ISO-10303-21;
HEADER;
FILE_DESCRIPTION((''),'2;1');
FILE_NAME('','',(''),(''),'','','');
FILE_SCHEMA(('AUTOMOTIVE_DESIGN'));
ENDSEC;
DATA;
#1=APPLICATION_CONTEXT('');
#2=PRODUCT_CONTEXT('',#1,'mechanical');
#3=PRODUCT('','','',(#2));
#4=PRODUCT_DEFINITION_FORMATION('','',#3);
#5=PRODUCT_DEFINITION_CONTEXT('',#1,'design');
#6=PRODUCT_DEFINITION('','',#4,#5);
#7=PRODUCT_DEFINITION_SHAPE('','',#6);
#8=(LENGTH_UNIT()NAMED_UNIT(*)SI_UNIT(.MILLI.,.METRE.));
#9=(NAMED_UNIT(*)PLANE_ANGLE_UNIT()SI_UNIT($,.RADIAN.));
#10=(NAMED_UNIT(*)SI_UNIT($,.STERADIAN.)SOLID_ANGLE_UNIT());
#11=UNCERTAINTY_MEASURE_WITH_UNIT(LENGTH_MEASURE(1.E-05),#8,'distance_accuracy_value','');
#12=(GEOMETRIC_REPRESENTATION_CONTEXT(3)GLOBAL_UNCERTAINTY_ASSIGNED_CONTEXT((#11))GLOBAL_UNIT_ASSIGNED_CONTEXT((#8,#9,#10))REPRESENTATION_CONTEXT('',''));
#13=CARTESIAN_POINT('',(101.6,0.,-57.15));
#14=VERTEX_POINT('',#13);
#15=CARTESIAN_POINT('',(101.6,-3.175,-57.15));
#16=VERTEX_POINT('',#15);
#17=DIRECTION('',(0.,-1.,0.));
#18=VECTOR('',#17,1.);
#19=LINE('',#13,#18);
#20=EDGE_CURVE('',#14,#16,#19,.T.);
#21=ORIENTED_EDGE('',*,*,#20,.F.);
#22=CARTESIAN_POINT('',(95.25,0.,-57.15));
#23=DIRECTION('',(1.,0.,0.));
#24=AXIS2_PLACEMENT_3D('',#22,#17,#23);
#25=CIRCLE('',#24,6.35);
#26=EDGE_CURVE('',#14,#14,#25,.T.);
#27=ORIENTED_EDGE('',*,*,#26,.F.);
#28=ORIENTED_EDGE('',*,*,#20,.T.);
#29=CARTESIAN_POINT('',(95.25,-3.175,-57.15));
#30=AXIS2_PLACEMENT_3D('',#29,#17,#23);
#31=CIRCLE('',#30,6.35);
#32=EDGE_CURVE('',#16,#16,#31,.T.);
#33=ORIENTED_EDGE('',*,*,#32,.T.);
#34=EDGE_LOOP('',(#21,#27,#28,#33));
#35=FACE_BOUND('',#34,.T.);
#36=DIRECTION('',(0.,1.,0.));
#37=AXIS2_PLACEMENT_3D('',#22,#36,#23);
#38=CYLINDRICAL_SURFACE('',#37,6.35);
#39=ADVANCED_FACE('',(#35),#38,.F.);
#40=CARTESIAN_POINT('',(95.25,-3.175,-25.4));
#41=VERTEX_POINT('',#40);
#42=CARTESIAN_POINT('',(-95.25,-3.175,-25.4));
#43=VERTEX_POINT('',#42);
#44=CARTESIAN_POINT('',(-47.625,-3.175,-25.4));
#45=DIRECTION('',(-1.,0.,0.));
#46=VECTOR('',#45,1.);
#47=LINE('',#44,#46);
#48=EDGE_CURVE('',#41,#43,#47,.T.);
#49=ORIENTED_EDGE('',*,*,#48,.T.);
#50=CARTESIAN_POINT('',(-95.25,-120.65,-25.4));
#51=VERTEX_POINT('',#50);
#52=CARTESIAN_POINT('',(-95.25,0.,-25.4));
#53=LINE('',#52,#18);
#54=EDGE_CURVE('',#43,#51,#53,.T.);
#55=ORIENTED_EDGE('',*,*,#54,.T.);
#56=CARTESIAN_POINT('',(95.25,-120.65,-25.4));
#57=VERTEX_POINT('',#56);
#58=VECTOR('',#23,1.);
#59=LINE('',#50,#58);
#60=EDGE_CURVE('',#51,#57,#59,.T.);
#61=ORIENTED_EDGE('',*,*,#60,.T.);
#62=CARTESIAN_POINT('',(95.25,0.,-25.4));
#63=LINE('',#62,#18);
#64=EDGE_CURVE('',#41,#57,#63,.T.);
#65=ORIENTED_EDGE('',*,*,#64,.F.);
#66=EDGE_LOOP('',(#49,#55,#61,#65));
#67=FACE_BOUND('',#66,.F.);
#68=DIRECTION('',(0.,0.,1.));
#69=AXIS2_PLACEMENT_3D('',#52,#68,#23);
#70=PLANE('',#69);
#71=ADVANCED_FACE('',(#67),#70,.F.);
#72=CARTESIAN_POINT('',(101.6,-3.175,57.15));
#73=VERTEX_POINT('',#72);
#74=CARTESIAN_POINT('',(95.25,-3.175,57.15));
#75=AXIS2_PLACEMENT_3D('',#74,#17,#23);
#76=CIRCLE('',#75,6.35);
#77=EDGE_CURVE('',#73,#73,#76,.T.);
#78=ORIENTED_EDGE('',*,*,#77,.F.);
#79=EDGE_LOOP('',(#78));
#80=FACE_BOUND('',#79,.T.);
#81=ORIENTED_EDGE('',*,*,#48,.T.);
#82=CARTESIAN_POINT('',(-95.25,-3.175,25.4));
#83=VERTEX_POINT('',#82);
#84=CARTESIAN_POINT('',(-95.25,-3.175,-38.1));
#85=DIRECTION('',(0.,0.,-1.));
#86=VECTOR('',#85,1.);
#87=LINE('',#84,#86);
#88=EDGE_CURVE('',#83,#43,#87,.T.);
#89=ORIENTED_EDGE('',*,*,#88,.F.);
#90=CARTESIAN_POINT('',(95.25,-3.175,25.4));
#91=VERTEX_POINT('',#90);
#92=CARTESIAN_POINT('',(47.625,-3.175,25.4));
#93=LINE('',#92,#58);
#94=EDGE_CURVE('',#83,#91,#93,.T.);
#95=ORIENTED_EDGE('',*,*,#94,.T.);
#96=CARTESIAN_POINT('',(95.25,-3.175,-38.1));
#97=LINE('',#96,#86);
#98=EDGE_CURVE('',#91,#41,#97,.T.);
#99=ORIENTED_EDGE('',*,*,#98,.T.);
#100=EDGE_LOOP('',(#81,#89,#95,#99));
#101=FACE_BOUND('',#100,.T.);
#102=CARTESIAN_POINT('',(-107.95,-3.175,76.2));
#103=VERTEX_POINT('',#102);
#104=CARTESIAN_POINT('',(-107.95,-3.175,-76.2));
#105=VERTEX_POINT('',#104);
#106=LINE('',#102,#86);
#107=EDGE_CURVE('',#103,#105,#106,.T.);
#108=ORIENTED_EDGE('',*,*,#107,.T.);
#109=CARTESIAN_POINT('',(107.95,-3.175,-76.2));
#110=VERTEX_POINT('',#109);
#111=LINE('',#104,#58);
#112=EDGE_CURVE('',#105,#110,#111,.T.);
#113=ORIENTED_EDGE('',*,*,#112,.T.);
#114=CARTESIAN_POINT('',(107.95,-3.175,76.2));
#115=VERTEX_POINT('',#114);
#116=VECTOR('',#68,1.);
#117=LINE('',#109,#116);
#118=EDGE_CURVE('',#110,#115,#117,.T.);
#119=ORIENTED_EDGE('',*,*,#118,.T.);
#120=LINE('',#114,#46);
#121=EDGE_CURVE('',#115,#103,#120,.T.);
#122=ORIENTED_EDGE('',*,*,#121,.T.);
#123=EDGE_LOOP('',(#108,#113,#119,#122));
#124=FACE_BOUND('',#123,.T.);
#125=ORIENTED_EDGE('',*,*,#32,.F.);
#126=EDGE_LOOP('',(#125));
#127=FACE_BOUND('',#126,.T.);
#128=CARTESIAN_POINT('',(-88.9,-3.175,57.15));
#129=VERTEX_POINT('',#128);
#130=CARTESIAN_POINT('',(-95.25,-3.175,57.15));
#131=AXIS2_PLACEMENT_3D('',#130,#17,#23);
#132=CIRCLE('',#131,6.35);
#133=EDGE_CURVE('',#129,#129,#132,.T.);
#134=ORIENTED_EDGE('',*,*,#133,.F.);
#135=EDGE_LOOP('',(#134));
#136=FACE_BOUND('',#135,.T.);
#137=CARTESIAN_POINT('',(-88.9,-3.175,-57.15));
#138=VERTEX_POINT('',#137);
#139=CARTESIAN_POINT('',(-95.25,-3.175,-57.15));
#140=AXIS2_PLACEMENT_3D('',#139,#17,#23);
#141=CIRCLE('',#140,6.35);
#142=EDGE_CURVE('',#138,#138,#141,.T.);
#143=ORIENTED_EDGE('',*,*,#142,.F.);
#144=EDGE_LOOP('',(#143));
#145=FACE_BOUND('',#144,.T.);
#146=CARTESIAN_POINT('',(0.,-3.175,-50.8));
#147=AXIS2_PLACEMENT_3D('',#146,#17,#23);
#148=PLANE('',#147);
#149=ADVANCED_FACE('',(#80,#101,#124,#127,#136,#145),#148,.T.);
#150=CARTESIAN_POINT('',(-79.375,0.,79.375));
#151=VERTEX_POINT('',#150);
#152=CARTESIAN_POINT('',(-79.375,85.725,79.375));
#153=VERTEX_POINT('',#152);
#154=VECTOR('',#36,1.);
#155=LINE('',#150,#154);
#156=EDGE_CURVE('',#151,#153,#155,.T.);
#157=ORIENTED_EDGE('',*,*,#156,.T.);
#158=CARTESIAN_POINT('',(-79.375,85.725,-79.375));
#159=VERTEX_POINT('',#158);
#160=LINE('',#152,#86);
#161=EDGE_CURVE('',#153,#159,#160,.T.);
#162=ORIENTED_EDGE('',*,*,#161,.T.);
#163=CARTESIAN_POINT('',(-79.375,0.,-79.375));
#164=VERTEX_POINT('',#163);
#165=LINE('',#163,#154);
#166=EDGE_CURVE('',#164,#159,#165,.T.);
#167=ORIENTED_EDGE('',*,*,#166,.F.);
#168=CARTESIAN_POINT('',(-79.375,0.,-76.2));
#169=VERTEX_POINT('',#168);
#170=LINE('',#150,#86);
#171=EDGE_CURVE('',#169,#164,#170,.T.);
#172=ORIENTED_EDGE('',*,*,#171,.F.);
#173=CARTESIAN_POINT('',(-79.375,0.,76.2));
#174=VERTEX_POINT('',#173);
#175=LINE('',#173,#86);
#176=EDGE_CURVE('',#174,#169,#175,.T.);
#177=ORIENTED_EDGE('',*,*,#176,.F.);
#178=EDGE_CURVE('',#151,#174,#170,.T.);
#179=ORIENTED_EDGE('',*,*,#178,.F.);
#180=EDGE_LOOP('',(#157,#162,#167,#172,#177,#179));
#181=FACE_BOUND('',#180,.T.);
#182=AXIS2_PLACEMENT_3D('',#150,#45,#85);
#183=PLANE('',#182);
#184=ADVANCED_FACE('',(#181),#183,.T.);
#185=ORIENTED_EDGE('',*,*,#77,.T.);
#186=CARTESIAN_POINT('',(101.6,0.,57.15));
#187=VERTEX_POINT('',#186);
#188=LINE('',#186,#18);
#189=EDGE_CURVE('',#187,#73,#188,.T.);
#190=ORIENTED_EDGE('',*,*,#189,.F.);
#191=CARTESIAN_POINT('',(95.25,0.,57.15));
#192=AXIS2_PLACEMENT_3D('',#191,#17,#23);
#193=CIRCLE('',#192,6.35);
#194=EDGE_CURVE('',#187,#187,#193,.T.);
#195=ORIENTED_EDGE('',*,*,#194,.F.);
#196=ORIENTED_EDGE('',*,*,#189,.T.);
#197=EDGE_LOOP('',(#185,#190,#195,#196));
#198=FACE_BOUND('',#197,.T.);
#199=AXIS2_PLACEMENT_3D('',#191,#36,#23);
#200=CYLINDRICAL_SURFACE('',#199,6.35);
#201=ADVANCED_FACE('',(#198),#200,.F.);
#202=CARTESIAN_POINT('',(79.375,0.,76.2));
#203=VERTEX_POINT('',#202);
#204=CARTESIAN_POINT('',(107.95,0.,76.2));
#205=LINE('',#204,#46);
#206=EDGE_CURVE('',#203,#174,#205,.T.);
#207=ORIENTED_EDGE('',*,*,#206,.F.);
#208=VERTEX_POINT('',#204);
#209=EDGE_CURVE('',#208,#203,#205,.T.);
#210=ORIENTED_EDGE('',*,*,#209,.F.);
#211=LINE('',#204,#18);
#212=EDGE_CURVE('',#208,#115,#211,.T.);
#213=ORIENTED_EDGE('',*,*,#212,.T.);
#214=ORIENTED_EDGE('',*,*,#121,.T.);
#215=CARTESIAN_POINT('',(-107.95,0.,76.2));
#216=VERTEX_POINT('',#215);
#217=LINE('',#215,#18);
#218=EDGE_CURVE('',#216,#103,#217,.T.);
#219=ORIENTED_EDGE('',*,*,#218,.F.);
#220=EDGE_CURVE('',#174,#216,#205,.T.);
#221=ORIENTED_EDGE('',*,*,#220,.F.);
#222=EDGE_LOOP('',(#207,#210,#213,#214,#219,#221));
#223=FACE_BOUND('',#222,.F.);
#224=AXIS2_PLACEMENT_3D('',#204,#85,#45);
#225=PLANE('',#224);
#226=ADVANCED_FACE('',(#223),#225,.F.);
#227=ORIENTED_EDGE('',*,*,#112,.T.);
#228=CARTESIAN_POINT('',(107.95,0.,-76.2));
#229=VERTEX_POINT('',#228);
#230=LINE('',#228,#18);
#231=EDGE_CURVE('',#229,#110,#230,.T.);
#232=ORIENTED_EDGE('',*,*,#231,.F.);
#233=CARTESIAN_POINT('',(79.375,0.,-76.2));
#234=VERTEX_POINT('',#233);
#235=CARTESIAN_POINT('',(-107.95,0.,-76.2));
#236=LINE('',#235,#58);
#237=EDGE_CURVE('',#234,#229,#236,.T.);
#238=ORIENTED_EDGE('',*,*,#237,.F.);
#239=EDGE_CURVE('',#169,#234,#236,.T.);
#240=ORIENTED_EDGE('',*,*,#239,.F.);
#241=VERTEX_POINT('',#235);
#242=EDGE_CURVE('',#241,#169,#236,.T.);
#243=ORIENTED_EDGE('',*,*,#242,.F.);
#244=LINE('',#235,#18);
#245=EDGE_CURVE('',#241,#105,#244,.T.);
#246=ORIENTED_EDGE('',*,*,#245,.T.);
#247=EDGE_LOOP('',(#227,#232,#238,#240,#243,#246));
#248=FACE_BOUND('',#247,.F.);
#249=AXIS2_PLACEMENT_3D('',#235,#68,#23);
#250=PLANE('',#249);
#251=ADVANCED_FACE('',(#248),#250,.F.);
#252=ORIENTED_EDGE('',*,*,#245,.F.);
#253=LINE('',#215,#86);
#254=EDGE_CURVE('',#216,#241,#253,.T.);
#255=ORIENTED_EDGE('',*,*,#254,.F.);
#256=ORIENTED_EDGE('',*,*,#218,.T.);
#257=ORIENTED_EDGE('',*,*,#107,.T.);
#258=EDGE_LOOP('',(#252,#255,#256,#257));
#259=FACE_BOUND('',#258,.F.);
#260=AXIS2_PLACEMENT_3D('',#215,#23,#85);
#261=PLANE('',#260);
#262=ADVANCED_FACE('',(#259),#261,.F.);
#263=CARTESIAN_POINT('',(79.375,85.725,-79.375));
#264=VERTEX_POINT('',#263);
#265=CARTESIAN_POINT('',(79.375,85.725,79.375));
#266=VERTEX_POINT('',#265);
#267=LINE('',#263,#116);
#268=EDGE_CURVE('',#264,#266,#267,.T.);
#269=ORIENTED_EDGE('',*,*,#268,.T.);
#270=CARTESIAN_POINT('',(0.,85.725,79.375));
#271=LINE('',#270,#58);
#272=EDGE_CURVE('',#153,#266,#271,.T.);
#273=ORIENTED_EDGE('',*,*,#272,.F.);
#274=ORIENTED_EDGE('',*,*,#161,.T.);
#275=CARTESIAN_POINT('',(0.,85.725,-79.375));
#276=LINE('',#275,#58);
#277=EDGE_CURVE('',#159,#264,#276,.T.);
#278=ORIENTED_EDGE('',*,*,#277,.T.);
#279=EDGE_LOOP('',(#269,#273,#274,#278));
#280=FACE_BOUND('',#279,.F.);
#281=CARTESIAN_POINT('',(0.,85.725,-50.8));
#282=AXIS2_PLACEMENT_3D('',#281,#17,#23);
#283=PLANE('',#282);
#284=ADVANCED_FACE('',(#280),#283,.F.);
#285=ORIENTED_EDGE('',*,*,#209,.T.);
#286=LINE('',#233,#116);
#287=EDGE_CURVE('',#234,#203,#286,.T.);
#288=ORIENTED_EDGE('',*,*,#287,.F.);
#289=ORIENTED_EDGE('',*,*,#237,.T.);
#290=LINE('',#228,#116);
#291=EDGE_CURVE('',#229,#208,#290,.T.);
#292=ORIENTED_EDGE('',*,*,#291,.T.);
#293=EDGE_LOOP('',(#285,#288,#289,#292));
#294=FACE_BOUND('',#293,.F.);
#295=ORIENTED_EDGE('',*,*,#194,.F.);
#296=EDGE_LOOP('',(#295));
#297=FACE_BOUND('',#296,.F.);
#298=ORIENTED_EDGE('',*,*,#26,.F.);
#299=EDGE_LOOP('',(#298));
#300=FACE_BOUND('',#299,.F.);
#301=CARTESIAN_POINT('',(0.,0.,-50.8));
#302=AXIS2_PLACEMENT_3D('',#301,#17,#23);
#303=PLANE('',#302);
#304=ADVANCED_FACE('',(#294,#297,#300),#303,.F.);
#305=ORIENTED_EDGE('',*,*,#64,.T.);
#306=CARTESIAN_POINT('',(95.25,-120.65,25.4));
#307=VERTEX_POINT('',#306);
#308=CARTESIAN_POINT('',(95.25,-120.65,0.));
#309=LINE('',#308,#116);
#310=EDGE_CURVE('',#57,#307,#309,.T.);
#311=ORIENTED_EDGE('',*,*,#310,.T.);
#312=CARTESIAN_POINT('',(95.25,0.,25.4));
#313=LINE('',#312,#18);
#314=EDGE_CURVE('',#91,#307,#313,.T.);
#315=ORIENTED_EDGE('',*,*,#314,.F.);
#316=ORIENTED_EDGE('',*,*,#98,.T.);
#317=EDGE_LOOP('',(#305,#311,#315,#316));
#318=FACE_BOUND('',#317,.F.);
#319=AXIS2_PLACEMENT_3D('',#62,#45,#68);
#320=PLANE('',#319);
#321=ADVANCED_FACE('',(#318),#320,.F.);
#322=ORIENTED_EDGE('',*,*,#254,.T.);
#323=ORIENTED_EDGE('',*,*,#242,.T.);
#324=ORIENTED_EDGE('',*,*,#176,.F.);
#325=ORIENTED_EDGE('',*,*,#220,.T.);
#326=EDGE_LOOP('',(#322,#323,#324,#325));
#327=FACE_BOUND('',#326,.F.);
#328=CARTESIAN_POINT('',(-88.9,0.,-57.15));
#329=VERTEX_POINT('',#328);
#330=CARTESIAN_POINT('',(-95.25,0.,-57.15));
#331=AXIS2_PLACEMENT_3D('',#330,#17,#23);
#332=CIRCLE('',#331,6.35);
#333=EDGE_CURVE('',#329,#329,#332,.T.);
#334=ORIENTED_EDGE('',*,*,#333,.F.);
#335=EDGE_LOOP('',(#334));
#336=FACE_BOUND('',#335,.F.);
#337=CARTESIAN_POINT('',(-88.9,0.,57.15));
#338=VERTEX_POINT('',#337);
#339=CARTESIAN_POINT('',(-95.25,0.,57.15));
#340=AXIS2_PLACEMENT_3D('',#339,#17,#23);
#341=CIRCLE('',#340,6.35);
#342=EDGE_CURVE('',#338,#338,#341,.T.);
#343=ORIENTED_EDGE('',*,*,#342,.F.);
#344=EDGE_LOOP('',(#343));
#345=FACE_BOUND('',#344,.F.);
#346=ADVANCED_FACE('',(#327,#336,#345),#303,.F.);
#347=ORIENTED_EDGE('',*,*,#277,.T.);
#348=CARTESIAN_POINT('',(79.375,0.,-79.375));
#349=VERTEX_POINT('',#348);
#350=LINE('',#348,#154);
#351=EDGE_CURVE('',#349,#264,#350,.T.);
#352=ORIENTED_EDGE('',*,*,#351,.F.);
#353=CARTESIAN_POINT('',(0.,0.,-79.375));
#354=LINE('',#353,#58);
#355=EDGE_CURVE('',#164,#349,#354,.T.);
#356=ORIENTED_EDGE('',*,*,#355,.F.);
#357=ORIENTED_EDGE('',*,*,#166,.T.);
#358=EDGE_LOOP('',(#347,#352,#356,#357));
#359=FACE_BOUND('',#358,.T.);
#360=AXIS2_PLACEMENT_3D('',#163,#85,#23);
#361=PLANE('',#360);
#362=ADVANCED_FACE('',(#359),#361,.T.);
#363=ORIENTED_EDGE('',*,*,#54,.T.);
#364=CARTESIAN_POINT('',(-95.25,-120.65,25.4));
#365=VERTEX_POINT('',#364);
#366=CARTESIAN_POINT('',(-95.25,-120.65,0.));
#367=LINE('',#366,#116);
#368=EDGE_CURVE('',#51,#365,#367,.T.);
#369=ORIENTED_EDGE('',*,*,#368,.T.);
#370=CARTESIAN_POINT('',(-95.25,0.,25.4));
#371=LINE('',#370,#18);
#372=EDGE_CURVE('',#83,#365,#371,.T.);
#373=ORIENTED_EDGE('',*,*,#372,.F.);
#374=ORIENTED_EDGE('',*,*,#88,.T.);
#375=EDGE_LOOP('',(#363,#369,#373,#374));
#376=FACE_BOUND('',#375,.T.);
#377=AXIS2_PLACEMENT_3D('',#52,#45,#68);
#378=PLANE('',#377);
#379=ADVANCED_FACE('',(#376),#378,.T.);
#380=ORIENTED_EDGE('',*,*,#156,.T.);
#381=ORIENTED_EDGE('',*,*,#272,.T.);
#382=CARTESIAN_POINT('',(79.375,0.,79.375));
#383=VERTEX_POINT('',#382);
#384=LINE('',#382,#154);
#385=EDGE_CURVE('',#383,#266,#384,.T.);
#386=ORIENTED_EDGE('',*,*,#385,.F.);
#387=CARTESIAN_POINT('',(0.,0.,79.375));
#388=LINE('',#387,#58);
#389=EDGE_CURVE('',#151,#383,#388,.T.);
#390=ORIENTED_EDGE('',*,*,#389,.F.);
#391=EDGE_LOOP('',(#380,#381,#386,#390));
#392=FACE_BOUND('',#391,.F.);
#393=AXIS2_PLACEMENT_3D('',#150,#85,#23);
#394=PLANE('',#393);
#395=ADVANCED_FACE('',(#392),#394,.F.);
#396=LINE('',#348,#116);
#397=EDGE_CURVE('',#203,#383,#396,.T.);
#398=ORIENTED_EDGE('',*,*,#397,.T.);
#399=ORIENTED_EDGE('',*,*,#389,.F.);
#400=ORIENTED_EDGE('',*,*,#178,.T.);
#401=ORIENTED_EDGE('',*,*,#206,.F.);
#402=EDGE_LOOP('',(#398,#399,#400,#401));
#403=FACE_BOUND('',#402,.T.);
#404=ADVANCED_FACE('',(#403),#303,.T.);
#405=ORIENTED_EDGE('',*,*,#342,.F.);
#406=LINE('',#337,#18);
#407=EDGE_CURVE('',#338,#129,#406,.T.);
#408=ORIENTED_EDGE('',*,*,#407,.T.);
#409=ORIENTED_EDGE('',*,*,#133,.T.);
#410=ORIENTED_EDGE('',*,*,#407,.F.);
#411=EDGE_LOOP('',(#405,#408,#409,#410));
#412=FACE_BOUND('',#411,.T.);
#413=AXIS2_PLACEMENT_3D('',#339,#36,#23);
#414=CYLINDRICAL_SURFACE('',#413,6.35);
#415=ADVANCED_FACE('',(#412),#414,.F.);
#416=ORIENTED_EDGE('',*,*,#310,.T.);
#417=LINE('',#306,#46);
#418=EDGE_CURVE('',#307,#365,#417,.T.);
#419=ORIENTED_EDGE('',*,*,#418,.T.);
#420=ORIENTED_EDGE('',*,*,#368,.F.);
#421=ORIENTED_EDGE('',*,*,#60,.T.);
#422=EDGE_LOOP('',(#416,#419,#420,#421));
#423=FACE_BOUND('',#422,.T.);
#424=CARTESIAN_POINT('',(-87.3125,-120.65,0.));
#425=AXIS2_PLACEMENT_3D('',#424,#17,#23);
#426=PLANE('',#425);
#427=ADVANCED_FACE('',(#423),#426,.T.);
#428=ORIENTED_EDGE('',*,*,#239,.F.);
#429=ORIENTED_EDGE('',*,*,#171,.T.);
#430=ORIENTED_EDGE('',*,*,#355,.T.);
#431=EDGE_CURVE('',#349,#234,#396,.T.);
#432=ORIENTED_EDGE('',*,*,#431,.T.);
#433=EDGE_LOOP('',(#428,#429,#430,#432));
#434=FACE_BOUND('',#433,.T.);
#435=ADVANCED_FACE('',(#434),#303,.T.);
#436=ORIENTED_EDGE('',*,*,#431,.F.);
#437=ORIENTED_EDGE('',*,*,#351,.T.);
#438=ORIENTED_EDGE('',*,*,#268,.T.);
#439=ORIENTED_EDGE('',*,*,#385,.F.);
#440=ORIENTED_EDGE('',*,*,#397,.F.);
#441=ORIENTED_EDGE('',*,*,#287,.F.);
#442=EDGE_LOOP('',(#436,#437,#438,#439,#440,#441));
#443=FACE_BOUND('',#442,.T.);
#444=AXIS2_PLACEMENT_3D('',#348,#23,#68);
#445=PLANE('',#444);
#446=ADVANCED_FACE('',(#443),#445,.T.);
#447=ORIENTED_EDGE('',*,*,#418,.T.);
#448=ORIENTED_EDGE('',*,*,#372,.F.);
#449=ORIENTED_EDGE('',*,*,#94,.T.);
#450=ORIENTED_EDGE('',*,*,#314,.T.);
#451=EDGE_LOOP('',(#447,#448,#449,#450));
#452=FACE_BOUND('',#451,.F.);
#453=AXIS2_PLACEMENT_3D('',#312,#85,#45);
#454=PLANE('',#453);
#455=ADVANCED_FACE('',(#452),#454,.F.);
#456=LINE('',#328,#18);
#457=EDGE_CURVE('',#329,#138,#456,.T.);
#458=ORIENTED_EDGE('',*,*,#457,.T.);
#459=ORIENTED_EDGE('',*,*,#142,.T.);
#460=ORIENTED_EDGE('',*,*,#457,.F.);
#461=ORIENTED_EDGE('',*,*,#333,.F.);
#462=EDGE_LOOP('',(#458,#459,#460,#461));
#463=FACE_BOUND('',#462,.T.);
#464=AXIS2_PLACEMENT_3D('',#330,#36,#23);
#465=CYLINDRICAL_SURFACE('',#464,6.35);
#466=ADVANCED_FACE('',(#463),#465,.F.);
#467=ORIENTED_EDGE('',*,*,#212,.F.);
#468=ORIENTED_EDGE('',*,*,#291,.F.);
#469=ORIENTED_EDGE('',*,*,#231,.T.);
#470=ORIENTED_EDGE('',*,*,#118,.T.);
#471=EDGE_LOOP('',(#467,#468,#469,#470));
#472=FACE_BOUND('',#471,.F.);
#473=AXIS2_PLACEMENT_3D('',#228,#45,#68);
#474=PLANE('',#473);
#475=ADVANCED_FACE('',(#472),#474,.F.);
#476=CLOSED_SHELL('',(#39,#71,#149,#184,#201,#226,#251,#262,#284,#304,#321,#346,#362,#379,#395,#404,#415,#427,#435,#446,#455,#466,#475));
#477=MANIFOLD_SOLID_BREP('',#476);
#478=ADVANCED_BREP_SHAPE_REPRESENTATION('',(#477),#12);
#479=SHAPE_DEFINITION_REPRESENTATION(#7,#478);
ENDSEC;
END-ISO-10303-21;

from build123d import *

# Parameters (mm, degrees)
F0_W     = 158.75
F0_H     = 50.8
F0_R     = 6.35
F0_W_2   = 15.875
F1_DEPTH = 3.175
F0_H_2   = 3.175
F2_DEPTH = 85.725
F3_DEPTH = 120.65


with BuildPart() as f1:
    # F0 (on Front) → F1 (new body)
    with BuildSketch(Plane.XZ):
        with Locations((0, -50.8)):
            Rectangle(F0_W, F0_H)
        with Locations((0, 50.8)):
            Rectangle(F0_W, F0_H)
        Polygon((95.25, 25.4), (95.25, -25.4), (79.375, -25.4), (79.375, -76.2), (107.95, -76.2), (107.95, 76.2), (79.375, 76.2), (79.375, 25.4), align=None)
        with Locations((95.25, -57.15)):
            Circle(F0_R, mode=Mode.SUBTRACT)
        with Locations((95.25, 57.15)):
            Circle(F0_R, mode=Mode.SUBTRACT)
        Polygon((-79.375, -76.2), (-79.375, -25.4), (-95.25, -25.4), (-95.25, 25.4), (-79.375, 25.4), (-79.375, 76.2), (-107.95, 76.2), (-107.95, -76.2), align=None)
        with Locations((-95.25, -57.15)):
            Circle(F0_R, mode=Mode.SUBTRACT)
        with Locations((-95.25, 57.15)):
            Circle(F0_R, mode=Mode.SUBTRACT)
        Rectangle(F0_W, F0_H)
        with Locations((-87.3125, 0)):
            Rectangle(F0_W_2, F0_H)
        with Locations((87.3125, 0)):
            Rectangle(F0_W_2, F0_H)
    extrude(amount=F1_DEPTH)

    # F0 (on Front) → F2 (join)
    with BuildSketch(Plane.XZ):
        with Locations((0, -50.8)):
            Rectangle(F0_W, F0_H)
        Rectangle(F0_W, F0_H)
        with Locations((0, 50.8)):
            Rectangle(F0_W, F0_H)
        with Locations((0, 77.7875)):
            Rectangle(F0_W, F0_H_2)
        with Locations((0, -77.7875)):
            Rectangle(F0_W, F0_H_2)
    extrude(amount=-F2_DEPTH)

    # F0 (on Front) → F3 (join)
    with BuildSketch(Plane.XZ):
        with Locations((-87.3125, 0)):
            Rectangle(F0_W_2, F0_H)
        Rectangle(F0_W, F0_H)
        with Locations((87.3125, 0)):
            Rectangle(F0_W_2, F0_H)
    extrude(amount=F3_DEPTH)


solid = f1.part
